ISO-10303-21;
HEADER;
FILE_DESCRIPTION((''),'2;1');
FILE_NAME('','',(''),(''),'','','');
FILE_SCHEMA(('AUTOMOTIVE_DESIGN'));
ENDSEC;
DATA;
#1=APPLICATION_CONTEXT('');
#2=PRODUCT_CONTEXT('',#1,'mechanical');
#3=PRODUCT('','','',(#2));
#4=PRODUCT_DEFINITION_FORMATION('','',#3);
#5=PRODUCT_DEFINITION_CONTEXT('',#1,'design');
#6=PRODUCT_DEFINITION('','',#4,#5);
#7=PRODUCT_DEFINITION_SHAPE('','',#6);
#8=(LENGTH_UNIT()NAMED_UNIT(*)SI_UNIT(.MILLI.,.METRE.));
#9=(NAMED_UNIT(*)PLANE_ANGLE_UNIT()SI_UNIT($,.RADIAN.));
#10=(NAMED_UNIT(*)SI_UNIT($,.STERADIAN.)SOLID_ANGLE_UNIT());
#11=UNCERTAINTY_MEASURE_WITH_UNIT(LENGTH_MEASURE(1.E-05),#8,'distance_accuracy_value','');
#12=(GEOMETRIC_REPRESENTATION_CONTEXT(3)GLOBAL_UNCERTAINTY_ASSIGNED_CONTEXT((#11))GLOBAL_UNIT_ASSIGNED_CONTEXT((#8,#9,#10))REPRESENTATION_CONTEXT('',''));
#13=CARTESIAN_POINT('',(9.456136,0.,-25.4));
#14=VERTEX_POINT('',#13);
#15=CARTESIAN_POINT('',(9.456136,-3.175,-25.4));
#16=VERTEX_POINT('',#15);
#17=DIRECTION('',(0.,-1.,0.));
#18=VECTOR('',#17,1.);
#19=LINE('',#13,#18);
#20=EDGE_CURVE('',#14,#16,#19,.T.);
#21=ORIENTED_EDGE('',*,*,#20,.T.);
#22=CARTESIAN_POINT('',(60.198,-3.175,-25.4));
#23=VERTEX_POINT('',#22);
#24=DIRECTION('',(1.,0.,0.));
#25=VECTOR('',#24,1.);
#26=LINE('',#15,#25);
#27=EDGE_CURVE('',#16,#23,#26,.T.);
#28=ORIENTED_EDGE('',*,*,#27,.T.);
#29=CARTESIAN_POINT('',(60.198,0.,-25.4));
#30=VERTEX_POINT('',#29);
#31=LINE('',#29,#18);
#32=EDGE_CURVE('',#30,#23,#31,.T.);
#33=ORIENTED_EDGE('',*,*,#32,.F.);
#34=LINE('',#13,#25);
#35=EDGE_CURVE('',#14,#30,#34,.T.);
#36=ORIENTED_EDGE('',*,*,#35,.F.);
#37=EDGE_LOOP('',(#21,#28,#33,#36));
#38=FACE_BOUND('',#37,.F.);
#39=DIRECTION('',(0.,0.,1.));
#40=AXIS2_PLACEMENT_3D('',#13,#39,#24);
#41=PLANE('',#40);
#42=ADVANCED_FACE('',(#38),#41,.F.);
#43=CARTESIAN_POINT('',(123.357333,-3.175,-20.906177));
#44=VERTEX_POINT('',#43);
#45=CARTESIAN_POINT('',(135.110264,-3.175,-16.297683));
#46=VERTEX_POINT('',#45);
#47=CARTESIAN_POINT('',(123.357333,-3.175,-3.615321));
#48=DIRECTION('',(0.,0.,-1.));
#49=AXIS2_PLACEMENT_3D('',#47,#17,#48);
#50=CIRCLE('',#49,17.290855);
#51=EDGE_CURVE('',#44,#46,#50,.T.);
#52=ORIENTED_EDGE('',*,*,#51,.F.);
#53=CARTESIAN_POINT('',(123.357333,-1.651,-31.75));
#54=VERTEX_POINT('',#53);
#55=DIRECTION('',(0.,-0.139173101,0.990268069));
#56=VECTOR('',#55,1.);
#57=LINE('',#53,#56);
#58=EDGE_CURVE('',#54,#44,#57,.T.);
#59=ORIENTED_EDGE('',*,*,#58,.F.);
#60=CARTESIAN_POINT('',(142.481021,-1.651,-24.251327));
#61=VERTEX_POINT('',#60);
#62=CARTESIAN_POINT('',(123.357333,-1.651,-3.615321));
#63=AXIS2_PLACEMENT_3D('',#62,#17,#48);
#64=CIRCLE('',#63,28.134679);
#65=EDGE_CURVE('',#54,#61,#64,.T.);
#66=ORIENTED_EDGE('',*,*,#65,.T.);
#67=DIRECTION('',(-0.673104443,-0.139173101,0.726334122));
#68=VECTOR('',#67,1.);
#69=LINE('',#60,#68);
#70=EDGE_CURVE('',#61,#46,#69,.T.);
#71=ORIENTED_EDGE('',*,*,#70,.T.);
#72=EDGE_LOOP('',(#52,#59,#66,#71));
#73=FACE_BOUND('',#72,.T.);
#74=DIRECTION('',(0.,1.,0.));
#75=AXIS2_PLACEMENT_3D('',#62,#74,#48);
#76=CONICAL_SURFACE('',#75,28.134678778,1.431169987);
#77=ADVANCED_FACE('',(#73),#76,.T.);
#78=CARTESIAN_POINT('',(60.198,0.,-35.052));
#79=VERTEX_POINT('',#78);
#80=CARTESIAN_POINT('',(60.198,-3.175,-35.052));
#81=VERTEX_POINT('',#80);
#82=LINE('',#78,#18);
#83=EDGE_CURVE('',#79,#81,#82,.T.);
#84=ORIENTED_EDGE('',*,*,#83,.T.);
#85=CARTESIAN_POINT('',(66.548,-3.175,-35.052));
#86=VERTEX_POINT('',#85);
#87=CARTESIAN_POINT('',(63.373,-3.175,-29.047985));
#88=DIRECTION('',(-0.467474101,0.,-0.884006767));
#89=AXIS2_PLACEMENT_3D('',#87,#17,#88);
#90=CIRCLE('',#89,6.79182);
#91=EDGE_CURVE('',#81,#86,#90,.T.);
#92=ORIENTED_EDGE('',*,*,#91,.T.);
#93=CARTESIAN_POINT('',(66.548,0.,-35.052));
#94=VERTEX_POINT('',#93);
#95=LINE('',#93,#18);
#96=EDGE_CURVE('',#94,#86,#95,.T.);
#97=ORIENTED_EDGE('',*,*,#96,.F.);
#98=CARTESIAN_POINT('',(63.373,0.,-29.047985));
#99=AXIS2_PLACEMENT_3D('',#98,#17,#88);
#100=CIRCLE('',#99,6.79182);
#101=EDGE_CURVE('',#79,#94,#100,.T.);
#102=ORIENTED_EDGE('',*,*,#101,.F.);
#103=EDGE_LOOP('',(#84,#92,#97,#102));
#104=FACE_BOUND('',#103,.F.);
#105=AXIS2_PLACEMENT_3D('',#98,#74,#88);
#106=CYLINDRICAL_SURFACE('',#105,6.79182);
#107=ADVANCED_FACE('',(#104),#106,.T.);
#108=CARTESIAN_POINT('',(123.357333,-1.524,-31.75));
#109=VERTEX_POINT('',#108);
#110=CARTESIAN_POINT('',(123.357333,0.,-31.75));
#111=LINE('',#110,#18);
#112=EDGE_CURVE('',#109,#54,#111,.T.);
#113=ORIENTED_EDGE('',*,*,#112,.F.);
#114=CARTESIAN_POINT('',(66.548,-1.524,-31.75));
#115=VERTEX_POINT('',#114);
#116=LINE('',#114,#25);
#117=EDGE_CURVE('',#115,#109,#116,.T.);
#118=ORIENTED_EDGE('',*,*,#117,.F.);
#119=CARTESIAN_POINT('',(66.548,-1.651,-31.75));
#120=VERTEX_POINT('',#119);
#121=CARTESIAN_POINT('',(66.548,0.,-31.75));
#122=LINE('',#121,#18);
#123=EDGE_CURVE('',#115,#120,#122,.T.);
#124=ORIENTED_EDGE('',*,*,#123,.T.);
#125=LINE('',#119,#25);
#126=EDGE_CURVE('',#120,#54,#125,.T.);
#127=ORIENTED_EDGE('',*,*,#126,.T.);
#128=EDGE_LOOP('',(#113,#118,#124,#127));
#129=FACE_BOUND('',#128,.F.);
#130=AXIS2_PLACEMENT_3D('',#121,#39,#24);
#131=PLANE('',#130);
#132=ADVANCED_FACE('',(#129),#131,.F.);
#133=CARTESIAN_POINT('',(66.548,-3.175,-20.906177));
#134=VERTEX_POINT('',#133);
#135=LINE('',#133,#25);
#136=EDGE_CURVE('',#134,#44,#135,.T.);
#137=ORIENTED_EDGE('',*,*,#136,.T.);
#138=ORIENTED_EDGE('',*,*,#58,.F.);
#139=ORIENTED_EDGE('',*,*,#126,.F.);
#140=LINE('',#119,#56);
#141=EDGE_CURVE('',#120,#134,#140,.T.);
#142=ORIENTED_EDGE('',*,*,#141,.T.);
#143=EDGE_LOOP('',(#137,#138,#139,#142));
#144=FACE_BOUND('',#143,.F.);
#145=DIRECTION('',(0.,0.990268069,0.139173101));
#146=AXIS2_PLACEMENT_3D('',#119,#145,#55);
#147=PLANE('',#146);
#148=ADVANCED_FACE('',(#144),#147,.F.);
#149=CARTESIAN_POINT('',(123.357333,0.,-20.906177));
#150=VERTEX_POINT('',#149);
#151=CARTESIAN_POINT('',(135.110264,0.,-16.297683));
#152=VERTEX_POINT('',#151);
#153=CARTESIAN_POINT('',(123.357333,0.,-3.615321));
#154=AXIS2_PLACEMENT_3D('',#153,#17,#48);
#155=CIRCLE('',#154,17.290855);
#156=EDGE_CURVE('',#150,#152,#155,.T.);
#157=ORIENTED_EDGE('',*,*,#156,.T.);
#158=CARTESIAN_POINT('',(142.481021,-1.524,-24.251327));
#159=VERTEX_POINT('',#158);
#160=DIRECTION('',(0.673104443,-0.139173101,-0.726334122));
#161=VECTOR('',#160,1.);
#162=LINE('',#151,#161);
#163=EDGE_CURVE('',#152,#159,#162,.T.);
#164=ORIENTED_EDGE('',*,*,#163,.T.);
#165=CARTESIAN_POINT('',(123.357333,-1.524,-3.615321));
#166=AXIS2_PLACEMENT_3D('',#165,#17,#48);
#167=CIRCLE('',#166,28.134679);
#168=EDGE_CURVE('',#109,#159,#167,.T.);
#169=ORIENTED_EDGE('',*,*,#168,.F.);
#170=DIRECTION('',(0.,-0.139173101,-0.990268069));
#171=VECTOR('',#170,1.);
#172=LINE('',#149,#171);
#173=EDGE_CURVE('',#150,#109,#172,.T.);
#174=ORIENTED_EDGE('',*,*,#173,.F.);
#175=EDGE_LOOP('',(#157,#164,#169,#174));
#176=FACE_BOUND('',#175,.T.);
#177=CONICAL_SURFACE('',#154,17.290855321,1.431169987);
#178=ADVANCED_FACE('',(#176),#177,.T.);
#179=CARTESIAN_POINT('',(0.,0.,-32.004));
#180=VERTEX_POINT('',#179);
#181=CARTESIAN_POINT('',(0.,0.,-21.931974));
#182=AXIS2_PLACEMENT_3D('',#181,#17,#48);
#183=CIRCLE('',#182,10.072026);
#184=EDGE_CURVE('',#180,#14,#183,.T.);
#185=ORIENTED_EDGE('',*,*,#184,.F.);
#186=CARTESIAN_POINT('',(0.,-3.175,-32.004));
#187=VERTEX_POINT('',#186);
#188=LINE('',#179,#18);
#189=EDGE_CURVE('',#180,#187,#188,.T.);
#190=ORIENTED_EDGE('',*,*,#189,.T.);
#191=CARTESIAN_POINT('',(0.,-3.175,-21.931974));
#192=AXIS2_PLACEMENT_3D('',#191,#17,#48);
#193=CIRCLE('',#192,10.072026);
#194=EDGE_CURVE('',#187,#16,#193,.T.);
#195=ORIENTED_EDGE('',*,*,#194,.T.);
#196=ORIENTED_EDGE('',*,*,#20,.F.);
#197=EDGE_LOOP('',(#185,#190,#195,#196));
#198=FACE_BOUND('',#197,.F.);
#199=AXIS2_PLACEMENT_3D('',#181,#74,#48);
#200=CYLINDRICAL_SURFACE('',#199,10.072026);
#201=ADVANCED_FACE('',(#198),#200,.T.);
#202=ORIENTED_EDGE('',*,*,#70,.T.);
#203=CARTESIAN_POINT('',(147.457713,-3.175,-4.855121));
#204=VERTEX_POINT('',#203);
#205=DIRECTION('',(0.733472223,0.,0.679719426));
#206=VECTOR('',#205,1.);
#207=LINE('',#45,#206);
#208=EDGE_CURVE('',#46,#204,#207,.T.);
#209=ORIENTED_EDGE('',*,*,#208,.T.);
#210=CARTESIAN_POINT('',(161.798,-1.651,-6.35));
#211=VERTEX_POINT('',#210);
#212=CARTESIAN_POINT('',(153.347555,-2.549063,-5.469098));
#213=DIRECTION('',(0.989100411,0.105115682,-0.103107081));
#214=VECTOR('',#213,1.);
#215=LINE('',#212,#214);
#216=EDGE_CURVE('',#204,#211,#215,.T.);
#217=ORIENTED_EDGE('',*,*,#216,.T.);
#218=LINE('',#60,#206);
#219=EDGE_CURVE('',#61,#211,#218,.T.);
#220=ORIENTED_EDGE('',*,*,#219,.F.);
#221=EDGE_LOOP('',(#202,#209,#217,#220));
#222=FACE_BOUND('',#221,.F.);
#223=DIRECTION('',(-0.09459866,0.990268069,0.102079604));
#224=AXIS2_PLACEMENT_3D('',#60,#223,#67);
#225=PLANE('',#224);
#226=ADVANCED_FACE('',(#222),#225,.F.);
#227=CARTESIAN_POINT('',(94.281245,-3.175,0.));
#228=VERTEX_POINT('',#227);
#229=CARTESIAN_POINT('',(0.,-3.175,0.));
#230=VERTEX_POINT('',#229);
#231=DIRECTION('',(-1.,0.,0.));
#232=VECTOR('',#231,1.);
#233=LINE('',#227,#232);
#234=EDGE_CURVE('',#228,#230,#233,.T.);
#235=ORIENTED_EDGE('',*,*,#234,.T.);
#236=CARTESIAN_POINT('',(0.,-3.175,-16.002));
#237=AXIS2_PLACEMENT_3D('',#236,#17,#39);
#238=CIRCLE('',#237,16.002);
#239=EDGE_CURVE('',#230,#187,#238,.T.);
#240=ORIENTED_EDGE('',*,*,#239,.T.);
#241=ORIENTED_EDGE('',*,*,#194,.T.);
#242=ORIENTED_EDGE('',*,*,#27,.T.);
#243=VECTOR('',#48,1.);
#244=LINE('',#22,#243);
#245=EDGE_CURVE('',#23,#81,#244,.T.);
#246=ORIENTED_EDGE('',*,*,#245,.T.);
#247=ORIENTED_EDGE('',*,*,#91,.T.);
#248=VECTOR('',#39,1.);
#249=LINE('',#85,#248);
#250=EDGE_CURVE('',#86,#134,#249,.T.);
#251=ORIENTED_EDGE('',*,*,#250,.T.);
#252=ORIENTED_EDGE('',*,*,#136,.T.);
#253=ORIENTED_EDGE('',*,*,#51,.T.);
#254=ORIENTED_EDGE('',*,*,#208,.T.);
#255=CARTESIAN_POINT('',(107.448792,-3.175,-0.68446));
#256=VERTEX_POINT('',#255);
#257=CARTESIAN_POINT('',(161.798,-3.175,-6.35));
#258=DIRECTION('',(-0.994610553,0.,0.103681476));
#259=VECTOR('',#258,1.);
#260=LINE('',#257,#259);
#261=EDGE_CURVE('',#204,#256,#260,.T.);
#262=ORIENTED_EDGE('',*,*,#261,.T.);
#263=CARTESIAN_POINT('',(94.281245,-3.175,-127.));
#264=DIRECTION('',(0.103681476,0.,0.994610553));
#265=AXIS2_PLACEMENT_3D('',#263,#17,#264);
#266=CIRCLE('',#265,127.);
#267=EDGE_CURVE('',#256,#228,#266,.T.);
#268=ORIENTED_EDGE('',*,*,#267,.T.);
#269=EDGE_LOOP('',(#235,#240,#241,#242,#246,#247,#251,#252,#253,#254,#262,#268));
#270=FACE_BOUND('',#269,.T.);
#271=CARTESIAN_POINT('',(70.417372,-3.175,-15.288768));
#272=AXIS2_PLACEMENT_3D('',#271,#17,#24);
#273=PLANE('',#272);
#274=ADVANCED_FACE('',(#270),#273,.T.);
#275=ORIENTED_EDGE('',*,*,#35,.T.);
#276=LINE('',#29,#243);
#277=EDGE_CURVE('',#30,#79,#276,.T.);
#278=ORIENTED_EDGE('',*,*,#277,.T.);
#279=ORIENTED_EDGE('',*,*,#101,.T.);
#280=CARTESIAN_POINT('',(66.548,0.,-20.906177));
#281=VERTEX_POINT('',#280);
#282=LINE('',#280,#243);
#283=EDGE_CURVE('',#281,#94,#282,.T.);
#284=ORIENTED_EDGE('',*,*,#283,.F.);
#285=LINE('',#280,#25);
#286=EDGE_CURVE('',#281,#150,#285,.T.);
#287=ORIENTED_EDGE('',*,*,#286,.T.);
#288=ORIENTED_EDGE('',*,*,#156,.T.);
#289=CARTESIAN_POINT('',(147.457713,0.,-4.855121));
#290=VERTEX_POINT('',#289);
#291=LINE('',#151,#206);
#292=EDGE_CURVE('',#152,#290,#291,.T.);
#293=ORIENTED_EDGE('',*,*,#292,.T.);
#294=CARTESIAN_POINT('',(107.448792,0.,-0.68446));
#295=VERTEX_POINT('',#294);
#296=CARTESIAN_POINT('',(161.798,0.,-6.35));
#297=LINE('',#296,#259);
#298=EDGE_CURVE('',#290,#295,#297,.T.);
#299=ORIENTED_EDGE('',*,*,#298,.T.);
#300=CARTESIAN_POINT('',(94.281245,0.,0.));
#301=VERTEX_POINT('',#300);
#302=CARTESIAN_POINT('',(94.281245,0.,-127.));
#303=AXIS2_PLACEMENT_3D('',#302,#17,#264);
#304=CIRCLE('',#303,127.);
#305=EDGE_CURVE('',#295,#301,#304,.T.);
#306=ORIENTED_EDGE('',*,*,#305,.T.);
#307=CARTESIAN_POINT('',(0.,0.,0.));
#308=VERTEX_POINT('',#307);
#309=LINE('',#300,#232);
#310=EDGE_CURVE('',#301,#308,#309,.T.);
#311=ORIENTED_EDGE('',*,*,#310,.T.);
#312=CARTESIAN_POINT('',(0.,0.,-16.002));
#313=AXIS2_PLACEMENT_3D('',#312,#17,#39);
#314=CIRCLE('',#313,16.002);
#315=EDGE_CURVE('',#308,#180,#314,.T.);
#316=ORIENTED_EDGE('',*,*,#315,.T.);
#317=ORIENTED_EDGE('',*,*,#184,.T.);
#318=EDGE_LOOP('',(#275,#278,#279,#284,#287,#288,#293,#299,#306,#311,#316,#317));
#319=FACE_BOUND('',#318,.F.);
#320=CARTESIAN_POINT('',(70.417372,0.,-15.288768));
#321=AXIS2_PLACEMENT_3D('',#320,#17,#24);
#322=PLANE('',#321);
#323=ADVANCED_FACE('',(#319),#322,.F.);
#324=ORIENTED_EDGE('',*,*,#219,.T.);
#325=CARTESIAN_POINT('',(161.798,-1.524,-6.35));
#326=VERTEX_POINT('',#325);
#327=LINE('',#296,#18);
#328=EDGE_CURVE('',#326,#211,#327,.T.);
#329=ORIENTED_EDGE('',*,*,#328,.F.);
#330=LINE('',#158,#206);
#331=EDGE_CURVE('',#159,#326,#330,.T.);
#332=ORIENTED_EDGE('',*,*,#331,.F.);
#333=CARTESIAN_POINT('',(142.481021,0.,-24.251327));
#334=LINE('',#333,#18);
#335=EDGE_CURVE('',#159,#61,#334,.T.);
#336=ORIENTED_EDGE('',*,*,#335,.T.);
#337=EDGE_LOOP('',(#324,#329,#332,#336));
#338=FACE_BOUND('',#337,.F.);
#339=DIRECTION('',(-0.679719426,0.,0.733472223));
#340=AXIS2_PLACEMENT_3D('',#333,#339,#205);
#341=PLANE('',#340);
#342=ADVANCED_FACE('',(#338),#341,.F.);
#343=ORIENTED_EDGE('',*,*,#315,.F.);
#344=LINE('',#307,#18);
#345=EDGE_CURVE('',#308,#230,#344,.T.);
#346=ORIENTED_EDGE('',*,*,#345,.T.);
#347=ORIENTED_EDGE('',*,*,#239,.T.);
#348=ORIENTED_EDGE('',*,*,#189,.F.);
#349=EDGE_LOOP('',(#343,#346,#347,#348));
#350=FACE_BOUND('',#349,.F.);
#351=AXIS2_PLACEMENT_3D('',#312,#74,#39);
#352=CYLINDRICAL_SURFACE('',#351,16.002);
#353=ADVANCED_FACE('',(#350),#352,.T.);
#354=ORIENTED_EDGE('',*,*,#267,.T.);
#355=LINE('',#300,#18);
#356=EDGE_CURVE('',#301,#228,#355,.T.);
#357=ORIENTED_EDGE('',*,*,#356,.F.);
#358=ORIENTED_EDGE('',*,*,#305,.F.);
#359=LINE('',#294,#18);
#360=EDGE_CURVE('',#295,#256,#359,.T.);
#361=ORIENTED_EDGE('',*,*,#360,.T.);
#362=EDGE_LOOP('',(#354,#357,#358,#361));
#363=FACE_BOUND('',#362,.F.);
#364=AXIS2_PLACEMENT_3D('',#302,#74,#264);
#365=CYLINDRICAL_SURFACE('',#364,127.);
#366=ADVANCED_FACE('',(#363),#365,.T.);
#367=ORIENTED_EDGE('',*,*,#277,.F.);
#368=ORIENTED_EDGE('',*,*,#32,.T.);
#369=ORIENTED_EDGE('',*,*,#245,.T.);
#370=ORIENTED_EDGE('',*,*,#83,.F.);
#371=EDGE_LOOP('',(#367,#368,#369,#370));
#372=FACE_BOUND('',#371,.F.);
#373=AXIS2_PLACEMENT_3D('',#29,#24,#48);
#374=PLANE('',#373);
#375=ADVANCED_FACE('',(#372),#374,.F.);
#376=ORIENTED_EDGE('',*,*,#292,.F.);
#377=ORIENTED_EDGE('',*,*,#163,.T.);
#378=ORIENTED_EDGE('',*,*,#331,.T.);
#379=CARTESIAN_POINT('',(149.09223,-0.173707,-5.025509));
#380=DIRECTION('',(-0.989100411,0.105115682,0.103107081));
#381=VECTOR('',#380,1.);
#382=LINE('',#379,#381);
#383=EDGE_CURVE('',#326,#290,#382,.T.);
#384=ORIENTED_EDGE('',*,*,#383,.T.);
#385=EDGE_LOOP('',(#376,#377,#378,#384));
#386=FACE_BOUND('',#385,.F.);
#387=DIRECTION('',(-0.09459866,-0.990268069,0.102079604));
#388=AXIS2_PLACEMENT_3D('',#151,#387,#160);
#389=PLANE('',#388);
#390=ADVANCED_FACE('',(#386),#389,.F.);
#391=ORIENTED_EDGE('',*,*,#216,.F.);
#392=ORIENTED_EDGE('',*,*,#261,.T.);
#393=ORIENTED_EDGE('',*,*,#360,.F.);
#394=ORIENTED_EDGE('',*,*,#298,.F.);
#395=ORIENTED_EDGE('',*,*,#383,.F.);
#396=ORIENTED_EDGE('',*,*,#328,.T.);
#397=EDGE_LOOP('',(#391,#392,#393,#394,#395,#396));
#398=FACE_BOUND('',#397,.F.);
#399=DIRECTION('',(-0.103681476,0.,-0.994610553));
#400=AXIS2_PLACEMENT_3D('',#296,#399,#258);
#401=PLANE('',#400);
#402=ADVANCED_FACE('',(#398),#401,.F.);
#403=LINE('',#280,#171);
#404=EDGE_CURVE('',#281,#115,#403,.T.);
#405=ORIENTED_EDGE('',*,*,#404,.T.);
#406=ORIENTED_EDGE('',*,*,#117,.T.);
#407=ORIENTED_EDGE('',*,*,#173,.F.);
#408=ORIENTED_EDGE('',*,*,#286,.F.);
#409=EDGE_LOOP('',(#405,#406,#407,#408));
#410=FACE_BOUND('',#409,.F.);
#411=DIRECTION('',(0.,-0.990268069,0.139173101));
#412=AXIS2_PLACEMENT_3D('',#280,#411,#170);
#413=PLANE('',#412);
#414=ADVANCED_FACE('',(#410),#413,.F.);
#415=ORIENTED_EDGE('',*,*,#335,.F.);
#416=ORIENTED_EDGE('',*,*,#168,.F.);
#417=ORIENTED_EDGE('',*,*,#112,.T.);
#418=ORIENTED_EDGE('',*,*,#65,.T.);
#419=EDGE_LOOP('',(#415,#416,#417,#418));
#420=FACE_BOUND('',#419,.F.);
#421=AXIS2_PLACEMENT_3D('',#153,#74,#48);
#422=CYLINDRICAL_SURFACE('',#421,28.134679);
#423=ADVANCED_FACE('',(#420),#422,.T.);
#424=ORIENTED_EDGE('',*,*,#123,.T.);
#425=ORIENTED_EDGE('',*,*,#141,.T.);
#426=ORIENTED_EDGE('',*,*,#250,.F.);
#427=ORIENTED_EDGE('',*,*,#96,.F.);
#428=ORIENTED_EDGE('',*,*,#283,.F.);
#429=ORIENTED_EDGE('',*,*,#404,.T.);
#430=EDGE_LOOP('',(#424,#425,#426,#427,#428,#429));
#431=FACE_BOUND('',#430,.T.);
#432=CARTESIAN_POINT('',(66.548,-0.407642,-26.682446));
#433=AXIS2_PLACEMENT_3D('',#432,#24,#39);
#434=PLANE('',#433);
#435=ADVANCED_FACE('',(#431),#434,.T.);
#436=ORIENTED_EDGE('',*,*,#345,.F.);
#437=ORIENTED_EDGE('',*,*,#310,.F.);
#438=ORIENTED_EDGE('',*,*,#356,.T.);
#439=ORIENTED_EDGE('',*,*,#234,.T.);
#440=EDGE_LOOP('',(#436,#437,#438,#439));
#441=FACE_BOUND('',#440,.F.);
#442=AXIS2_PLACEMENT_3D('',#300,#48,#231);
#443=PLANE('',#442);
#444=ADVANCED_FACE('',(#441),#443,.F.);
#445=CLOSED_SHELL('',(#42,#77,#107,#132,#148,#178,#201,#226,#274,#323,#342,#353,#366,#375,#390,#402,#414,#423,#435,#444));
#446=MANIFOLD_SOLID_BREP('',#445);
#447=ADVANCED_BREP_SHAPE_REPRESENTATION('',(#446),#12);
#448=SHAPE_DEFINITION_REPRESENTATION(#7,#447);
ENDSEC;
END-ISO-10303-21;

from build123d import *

# Parameters (mm, degrees)
F1_DEPTH = 3.175


with BuildPart() as f1:
    # F0 (on Front) → F1 (new body)
    with BuildSketch(Plane.XZ):
        with BuildLine():
            Line((94.2812450191, 0), (0, 0))
            ThreePointArc((0, 0), (-16.002, -16.002), (0, -32.004))
            ThreePointArc((0, -32.004), (5.7669601924, -30.1895691641), (9.4561357565, -25.4))
            Line((9.4561357565, -25.4), (60.198, -25.4))
            Line((60.198, -25.4), (60.198, -35.052))
            ThreePointArc((60.198, -35.052), (63.373, -35.8398051697), (66.548, -35.052))
            Line((66.548, -35.052), (66.548, -31.75))
            Line((66.548, -31.75), (123.3573333658, -31.75))
            ThreePointArc((123.3573333658, -31.75), (133.627989797, -29.808331099), (142.4810210729, -24.2513266114))
            Line((142.4810210729, -24.2513266114), (161.798, -6.35))
            Line((161.798, -6.35), (107.4487924851, -0.6844598091))
            ThreePointArc((107.4487924851, -0.6844598091), (100.873907446, -0.1712303847), (94.2812450191, 0))
        make_face()
    extrude(amount=F1_DEPTH)

    # F3: sweep along a path in F3_path
    with BuildLine(Plane(origin=(66.548, -3.175, -31.75), x_dir=(0, 0, -1), z_dir=(0, 1, 0))) as f3_path:
        Line((0, 0), (0, -56.8093333658))
        ThreePointArc((0, -56.8093333658), (-1.941668901, -67.079989797), (-7.4986733886, -75.9330210729))
        Line((-7.4986733886, -75.9330210729), (-25.4, -95.25))
    # F2 (on face) → F3 (sweep, cut)
    with BuildSketch(Plane.YZ.offset(66.548)):
        Polygon((-3.175, -31.75), (-1.651, -31.75), (-3.175, -20.9061765431), align=None)
    sweep(path=f3_path.line, mode=Mode.SUBTRACT)

    # F5: sweep along a path in F5_path
    with BuildLine(Plane(origin=(123.3573333658, 0, -31.75), x_dir=(0, 0, -1), z_dir=(0, 1, 0))) as f5_path:
        Line((0, 56.8093333658), (0, 0))
        ThreePointArc((0, 0), (-1.941668901, -10.2706564312), (-7.4986733886, -19.1236877071))
        Line((-7.4986733886, -19.1236877071), (-25.4, -38.4406666342))
    # F4 (on face) → F5 (sweep, cut)
    with BuildSketch(Plane.YZ.offset(66.548)):
        Polygon((0, -20.9061765431), (-1.524, -31.75), (0, -31.75), align=None)
    sweep(path=f5_path.line, mode=Mode.SUBTRACT)


solid = f1.part
